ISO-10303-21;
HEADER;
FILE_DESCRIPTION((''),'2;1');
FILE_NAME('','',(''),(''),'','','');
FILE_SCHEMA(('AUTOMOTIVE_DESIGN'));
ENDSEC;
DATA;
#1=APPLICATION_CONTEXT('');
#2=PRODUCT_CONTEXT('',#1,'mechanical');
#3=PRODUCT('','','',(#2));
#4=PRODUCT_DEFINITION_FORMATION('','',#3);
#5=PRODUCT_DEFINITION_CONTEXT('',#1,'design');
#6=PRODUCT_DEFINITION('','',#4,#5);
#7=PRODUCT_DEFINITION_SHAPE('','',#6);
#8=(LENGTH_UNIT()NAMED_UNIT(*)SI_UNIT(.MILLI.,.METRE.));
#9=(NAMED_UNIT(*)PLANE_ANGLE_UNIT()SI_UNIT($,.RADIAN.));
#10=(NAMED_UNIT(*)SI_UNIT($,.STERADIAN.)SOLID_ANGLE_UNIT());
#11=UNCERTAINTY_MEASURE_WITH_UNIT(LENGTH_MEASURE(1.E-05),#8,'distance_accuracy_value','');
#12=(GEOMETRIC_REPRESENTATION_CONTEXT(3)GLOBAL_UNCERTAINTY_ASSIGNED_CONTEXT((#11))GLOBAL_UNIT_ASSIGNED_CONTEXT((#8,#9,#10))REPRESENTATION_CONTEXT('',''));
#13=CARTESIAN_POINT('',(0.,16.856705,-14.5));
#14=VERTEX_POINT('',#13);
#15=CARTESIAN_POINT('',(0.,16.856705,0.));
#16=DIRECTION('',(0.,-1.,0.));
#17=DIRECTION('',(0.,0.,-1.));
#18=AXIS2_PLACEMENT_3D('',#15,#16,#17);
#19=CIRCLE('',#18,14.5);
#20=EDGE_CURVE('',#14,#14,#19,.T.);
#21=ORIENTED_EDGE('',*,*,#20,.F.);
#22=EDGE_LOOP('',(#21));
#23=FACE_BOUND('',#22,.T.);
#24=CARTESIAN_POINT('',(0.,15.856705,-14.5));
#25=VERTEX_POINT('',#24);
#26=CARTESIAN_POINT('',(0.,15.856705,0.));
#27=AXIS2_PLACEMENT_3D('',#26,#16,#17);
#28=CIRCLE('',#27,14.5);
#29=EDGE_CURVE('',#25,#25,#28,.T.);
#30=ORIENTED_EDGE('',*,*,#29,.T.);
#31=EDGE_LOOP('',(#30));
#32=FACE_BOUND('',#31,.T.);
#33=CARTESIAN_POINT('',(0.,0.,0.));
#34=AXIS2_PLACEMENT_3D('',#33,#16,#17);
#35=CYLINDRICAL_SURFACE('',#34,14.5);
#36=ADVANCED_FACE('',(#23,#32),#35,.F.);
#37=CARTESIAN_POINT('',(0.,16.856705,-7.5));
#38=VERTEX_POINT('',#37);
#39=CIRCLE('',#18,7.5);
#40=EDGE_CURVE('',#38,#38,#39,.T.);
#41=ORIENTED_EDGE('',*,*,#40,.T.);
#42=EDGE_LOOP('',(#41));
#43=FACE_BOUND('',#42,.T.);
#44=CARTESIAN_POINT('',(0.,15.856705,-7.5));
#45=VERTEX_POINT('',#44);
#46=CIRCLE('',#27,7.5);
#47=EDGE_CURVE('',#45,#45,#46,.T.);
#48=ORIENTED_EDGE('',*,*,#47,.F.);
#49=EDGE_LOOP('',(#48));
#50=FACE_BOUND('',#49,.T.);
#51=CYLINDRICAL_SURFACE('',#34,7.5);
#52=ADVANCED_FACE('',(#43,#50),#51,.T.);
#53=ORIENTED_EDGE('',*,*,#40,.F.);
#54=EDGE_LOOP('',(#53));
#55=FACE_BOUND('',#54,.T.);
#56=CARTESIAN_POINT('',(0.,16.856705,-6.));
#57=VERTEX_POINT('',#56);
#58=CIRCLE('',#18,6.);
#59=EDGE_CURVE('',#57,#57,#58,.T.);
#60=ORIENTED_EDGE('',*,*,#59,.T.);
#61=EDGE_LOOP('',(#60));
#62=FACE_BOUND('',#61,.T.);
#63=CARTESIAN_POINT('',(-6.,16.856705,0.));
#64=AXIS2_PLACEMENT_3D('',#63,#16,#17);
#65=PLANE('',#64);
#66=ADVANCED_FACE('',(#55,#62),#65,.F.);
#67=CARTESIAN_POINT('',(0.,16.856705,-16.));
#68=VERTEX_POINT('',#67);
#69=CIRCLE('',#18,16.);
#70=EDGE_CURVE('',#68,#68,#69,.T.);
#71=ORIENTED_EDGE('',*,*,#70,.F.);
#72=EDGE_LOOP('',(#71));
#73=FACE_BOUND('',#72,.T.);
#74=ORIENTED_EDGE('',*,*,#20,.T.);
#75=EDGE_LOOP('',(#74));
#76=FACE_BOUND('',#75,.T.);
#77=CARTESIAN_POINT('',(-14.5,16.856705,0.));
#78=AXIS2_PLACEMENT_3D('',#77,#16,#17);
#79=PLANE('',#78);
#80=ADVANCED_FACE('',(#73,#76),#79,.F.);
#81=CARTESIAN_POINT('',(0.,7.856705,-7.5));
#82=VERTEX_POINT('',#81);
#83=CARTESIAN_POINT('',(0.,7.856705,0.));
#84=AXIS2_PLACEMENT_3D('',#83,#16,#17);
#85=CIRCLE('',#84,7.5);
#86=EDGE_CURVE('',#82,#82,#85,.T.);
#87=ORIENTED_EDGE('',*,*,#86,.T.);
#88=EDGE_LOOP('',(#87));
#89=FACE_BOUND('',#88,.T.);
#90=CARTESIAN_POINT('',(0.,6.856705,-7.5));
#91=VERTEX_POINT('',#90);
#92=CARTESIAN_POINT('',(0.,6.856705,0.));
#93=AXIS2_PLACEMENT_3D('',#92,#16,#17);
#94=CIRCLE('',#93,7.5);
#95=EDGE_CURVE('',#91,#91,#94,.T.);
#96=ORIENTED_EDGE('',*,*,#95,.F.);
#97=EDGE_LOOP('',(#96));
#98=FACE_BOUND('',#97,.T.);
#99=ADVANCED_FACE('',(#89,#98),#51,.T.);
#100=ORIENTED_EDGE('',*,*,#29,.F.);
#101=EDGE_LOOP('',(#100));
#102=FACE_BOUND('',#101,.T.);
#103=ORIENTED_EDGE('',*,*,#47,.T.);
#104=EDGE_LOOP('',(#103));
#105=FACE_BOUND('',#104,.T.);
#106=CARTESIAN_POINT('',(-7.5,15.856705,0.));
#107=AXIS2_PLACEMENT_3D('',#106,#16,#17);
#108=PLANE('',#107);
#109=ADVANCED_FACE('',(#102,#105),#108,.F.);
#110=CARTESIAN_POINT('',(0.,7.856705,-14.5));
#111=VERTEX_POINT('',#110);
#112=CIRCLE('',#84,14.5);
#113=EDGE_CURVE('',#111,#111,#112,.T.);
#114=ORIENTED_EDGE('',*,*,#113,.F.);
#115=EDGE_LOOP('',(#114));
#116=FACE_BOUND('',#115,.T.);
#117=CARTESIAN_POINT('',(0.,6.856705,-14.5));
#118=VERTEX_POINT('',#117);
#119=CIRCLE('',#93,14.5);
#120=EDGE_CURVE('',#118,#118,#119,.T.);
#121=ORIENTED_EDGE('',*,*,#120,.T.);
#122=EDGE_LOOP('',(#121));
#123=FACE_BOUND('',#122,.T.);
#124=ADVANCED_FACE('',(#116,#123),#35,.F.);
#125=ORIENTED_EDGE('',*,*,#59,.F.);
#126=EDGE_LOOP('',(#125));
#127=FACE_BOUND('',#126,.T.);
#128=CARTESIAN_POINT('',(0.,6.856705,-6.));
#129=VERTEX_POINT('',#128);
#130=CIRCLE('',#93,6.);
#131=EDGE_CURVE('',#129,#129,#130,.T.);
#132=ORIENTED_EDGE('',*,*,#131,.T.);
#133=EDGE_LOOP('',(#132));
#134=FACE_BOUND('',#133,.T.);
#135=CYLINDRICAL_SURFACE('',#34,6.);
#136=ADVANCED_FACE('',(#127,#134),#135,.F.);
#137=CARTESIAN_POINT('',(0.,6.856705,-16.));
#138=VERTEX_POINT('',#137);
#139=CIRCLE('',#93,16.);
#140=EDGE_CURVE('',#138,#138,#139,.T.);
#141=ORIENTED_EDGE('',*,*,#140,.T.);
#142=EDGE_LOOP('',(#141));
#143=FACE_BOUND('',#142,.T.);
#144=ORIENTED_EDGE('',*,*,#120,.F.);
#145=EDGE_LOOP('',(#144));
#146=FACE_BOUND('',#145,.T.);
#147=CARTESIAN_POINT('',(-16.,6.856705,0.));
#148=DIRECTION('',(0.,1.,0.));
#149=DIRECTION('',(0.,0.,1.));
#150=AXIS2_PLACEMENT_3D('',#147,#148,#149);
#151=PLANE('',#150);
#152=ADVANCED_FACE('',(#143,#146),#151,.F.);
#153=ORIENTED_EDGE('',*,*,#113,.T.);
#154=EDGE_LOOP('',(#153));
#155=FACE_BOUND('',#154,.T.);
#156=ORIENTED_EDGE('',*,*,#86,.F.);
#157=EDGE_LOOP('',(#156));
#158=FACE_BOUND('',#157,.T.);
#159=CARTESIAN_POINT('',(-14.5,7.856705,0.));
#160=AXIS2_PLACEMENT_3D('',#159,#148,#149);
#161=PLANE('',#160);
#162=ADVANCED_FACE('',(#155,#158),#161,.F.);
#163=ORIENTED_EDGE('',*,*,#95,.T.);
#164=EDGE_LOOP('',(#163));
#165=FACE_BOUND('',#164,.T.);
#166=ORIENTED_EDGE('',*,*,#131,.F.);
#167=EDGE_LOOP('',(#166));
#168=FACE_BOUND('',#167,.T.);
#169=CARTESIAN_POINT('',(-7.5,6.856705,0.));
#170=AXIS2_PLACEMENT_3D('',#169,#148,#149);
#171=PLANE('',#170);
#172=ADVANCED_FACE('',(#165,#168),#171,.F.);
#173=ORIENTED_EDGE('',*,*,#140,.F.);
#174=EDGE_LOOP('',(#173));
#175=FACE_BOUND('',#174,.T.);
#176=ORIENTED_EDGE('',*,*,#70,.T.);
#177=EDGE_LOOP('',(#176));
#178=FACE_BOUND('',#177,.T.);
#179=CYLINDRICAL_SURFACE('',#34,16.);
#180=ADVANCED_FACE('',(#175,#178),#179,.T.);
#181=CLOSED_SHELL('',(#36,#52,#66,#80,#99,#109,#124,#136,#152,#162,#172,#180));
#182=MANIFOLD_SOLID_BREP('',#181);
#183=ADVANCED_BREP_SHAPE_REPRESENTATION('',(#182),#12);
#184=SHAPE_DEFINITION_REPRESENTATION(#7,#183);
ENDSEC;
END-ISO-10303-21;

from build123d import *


with BuildPart() as part:
    # Croquis1 → Revolución1 (revolve)
    with BuildSketch(Plane.XY, mode=Mode.PRIVATE) as revoluci_n1_sk:
        Polygon((-6, 6.856705357), (-6, 16.856705357), (-7.5, 16.856705357), (-7.5, 15.856705357), (-14.5, 15.856705357), (-14.5, 16.856705357), (-16, 16.856705357), (-16, 6.856705357), (-14.5, 6.856705357), (-14.5, 7.856705357), (-7.5, 7.856705357), (-7.5, 6.856705357), align=None)
    revolve(revoluci_n1_sk.sketch.rotate(Axis((0, 0, 0), (0, 1, 0)), 270), axis=Axis((0, 0, 0), (0, 1, 0)))


solid = part.part
